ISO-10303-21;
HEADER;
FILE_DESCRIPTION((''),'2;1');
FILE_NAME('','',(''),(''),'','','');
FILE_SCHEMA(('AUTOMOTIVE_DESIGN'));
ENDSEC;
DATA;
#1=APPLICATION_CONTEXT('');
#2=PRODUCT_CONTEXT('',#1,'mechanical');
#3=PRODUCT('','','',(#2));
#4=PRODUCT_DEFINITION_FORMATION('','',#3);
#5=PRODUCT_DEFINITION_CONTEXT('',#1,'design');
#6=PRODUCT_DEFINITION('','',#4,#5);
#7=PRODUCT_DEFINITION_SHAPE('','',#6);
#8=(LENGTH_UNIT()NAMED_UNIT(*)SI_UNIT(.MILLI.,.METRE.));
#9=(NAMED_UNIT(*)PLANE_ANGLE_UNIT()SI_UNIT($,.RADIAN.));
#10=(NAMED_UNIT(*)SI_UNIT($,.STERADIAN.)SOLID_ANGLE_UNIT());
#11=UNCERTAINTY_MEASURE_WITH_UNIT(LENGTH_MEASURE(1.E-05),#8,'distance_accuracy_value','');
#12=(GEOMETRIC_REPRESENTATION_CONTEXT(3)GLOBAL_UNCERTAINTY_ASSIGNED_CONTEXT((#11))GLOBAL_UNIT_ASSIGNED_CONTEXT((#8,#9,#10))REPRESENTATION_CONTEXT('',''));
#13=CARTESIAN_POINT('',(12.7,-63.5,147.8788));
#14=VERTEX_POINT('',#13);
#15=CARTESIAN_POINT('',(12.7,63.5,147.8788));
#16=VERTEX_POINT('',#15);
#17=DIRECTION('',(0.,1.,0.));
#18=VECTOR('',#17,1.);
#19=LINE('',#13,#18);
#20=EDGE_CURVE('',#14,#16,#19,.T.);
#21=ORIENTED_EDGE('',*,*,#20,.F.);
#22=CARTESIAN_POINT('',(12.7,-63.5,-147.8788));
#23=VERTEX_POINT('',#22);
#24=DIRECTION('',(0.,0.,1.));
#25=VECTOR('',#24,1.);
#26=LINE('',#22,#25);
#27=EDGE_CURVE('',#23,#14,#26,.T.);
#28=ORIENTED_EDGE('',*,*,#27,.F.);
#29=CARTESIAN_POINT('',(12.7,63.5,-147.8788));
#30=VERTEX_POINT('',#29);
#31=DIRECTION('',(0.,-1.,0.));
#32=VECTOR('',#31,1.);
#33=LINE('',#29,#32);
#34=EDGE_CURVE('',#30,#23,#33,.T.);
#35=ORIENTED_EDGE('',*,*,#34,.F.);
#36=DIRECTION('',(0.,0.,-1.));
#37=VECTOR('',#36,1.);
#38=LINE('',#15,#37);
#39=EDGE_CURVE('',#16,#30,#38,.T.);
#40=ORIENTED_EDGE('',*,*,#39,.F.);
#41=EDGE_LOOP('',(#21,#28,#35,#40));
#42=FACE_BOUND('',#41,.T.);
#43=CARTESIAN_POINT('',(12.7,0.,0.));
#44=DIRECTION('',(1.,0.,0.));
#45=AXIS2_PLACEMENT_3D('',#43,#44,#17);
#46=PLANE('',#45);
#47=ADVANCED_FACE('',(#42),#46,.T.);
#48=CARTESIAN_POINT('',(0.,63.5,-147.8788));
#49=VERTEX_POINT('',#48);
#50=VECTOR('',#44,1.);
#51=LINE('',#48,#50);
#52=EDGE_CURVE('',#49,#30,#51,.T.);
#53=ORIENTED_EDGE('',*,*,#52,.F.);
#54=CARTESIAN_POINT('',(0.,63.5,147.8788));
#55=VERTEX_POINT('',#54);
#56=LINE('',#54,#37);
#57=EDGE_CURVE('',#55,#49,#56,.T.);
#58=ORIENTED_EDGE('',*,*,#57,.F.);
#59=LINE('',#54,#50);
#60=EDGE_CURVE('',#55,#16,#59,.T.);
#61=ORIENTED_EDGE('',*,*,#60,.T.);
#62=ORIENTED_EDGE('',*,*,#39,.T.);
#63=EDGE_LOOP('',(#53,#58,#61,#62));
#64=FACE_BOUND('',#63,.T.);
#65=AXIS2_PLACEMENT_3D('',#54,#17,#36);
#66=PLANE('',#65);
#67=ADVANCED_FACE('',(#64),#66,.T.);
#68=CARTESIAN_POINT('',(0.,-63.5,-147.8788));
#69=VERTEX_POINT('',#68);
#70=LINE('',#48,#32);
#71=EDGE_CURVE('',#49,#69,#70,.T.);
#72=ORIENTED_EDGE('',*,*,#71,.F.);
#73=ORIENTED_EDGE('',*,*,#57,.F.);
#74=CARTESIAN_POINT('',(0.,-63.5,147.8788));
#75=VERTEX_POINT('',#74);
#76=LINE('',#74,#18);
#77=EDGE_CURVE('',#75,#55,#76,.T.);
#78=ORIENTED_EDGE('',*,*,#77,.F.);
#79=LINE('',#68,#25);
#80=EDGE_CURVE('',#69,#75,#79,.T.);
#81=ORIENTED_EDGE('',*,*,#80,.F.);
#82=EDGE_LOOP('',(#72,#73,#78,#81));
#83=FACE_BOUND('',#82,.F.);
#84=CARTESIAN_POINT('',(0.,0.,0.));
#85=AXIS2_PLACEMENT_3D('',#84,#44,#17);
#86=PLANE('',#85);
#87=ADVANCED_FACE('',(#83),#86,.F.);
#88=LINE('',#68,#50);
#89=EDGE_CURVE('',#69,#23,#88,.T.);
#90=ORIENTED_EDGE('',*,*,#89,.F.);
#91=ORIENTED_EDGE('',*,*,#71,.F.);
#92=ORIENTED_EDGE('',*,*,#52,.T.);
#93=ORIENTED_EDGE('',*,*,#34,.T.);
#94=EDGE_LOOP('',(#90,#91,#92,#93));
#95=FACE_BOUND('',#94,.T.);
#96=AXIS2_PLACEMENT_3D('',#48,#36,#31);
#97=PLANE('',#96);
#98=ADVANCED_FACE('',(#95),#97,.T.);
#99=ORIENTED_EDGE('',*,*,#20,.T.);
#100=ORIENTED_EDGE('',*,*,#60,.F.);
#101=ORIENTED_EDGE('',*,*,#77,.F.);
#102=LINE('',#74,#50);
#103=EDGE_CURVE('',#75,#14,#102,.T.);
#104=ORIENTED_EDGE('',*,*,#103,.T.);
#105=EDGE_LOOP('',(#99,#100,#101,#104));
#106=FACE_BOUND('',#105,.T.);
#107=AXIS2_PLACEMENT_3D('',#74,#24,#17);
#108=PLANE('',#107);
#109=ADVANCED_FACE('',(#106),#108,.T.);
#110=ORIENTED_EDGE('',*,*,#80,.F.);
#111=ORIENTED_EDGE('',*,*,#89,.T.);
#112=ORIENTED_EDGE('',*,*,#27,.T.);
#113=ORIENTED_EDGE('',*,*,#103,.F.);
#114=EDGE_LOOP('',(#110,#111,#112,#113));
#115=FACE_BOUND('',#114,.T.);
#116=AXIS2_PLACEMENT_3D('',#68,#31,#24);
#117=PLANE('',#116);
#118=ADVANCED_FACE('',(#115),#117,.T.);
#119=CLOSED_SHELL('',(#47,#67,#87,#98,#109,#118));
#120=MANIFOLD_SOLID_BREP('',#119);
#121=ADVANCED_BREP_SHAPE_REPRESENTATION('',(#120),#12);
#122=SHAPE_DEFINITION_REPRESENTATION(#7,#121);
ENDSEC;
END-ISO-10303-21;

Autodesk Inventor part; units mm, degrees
ref_plane "YZ Plane" through (0, 0, 0) normal (1, 0, 0) x (0, 1, 0)
ref_plane "XZ Plane" through (0, 0, 0) normal (0, 1, 0) x (-1, 0, 0)
ref_plane "XY Plane" through (0, 0, 0) normal (0, 0, 1) x (1, 0, 0)
sketch "Sketch1" plane through (0, 0, 0) normal (1, 0, 0) x (0, 1, 0)
  line L0 (-63.5, 147.8788) -> (63.5, 147.8788)
  line L1 (63.5, 147.8788) -> (63.5, -147.8788)
  line L2 (63.5, -147.8788) -> (-63.5, -147.8788)
  line L3 (-63.5, -147.8788) -> (-63.5, 147.8788)
  line L4 (-63.5, 147.8788) -> (63.5, -147.8788) construction
  line L5 (63.5, 147.8788) -> (-63.5, -147.8788) construction
  point P0 (0, 0)
  dimension "d0" = 295.7576
  dimension "d1" = 127
extrude "Extrusion1" add sketch "Sketch1" along normal blind 12.7
sketch "Sketch2" plane through (0, -63.5, 147.8788) normal (0, 0, 1) x (1, 0, 0)
  point P0 (0, 63.5)
properties part number "MotorPlate"
